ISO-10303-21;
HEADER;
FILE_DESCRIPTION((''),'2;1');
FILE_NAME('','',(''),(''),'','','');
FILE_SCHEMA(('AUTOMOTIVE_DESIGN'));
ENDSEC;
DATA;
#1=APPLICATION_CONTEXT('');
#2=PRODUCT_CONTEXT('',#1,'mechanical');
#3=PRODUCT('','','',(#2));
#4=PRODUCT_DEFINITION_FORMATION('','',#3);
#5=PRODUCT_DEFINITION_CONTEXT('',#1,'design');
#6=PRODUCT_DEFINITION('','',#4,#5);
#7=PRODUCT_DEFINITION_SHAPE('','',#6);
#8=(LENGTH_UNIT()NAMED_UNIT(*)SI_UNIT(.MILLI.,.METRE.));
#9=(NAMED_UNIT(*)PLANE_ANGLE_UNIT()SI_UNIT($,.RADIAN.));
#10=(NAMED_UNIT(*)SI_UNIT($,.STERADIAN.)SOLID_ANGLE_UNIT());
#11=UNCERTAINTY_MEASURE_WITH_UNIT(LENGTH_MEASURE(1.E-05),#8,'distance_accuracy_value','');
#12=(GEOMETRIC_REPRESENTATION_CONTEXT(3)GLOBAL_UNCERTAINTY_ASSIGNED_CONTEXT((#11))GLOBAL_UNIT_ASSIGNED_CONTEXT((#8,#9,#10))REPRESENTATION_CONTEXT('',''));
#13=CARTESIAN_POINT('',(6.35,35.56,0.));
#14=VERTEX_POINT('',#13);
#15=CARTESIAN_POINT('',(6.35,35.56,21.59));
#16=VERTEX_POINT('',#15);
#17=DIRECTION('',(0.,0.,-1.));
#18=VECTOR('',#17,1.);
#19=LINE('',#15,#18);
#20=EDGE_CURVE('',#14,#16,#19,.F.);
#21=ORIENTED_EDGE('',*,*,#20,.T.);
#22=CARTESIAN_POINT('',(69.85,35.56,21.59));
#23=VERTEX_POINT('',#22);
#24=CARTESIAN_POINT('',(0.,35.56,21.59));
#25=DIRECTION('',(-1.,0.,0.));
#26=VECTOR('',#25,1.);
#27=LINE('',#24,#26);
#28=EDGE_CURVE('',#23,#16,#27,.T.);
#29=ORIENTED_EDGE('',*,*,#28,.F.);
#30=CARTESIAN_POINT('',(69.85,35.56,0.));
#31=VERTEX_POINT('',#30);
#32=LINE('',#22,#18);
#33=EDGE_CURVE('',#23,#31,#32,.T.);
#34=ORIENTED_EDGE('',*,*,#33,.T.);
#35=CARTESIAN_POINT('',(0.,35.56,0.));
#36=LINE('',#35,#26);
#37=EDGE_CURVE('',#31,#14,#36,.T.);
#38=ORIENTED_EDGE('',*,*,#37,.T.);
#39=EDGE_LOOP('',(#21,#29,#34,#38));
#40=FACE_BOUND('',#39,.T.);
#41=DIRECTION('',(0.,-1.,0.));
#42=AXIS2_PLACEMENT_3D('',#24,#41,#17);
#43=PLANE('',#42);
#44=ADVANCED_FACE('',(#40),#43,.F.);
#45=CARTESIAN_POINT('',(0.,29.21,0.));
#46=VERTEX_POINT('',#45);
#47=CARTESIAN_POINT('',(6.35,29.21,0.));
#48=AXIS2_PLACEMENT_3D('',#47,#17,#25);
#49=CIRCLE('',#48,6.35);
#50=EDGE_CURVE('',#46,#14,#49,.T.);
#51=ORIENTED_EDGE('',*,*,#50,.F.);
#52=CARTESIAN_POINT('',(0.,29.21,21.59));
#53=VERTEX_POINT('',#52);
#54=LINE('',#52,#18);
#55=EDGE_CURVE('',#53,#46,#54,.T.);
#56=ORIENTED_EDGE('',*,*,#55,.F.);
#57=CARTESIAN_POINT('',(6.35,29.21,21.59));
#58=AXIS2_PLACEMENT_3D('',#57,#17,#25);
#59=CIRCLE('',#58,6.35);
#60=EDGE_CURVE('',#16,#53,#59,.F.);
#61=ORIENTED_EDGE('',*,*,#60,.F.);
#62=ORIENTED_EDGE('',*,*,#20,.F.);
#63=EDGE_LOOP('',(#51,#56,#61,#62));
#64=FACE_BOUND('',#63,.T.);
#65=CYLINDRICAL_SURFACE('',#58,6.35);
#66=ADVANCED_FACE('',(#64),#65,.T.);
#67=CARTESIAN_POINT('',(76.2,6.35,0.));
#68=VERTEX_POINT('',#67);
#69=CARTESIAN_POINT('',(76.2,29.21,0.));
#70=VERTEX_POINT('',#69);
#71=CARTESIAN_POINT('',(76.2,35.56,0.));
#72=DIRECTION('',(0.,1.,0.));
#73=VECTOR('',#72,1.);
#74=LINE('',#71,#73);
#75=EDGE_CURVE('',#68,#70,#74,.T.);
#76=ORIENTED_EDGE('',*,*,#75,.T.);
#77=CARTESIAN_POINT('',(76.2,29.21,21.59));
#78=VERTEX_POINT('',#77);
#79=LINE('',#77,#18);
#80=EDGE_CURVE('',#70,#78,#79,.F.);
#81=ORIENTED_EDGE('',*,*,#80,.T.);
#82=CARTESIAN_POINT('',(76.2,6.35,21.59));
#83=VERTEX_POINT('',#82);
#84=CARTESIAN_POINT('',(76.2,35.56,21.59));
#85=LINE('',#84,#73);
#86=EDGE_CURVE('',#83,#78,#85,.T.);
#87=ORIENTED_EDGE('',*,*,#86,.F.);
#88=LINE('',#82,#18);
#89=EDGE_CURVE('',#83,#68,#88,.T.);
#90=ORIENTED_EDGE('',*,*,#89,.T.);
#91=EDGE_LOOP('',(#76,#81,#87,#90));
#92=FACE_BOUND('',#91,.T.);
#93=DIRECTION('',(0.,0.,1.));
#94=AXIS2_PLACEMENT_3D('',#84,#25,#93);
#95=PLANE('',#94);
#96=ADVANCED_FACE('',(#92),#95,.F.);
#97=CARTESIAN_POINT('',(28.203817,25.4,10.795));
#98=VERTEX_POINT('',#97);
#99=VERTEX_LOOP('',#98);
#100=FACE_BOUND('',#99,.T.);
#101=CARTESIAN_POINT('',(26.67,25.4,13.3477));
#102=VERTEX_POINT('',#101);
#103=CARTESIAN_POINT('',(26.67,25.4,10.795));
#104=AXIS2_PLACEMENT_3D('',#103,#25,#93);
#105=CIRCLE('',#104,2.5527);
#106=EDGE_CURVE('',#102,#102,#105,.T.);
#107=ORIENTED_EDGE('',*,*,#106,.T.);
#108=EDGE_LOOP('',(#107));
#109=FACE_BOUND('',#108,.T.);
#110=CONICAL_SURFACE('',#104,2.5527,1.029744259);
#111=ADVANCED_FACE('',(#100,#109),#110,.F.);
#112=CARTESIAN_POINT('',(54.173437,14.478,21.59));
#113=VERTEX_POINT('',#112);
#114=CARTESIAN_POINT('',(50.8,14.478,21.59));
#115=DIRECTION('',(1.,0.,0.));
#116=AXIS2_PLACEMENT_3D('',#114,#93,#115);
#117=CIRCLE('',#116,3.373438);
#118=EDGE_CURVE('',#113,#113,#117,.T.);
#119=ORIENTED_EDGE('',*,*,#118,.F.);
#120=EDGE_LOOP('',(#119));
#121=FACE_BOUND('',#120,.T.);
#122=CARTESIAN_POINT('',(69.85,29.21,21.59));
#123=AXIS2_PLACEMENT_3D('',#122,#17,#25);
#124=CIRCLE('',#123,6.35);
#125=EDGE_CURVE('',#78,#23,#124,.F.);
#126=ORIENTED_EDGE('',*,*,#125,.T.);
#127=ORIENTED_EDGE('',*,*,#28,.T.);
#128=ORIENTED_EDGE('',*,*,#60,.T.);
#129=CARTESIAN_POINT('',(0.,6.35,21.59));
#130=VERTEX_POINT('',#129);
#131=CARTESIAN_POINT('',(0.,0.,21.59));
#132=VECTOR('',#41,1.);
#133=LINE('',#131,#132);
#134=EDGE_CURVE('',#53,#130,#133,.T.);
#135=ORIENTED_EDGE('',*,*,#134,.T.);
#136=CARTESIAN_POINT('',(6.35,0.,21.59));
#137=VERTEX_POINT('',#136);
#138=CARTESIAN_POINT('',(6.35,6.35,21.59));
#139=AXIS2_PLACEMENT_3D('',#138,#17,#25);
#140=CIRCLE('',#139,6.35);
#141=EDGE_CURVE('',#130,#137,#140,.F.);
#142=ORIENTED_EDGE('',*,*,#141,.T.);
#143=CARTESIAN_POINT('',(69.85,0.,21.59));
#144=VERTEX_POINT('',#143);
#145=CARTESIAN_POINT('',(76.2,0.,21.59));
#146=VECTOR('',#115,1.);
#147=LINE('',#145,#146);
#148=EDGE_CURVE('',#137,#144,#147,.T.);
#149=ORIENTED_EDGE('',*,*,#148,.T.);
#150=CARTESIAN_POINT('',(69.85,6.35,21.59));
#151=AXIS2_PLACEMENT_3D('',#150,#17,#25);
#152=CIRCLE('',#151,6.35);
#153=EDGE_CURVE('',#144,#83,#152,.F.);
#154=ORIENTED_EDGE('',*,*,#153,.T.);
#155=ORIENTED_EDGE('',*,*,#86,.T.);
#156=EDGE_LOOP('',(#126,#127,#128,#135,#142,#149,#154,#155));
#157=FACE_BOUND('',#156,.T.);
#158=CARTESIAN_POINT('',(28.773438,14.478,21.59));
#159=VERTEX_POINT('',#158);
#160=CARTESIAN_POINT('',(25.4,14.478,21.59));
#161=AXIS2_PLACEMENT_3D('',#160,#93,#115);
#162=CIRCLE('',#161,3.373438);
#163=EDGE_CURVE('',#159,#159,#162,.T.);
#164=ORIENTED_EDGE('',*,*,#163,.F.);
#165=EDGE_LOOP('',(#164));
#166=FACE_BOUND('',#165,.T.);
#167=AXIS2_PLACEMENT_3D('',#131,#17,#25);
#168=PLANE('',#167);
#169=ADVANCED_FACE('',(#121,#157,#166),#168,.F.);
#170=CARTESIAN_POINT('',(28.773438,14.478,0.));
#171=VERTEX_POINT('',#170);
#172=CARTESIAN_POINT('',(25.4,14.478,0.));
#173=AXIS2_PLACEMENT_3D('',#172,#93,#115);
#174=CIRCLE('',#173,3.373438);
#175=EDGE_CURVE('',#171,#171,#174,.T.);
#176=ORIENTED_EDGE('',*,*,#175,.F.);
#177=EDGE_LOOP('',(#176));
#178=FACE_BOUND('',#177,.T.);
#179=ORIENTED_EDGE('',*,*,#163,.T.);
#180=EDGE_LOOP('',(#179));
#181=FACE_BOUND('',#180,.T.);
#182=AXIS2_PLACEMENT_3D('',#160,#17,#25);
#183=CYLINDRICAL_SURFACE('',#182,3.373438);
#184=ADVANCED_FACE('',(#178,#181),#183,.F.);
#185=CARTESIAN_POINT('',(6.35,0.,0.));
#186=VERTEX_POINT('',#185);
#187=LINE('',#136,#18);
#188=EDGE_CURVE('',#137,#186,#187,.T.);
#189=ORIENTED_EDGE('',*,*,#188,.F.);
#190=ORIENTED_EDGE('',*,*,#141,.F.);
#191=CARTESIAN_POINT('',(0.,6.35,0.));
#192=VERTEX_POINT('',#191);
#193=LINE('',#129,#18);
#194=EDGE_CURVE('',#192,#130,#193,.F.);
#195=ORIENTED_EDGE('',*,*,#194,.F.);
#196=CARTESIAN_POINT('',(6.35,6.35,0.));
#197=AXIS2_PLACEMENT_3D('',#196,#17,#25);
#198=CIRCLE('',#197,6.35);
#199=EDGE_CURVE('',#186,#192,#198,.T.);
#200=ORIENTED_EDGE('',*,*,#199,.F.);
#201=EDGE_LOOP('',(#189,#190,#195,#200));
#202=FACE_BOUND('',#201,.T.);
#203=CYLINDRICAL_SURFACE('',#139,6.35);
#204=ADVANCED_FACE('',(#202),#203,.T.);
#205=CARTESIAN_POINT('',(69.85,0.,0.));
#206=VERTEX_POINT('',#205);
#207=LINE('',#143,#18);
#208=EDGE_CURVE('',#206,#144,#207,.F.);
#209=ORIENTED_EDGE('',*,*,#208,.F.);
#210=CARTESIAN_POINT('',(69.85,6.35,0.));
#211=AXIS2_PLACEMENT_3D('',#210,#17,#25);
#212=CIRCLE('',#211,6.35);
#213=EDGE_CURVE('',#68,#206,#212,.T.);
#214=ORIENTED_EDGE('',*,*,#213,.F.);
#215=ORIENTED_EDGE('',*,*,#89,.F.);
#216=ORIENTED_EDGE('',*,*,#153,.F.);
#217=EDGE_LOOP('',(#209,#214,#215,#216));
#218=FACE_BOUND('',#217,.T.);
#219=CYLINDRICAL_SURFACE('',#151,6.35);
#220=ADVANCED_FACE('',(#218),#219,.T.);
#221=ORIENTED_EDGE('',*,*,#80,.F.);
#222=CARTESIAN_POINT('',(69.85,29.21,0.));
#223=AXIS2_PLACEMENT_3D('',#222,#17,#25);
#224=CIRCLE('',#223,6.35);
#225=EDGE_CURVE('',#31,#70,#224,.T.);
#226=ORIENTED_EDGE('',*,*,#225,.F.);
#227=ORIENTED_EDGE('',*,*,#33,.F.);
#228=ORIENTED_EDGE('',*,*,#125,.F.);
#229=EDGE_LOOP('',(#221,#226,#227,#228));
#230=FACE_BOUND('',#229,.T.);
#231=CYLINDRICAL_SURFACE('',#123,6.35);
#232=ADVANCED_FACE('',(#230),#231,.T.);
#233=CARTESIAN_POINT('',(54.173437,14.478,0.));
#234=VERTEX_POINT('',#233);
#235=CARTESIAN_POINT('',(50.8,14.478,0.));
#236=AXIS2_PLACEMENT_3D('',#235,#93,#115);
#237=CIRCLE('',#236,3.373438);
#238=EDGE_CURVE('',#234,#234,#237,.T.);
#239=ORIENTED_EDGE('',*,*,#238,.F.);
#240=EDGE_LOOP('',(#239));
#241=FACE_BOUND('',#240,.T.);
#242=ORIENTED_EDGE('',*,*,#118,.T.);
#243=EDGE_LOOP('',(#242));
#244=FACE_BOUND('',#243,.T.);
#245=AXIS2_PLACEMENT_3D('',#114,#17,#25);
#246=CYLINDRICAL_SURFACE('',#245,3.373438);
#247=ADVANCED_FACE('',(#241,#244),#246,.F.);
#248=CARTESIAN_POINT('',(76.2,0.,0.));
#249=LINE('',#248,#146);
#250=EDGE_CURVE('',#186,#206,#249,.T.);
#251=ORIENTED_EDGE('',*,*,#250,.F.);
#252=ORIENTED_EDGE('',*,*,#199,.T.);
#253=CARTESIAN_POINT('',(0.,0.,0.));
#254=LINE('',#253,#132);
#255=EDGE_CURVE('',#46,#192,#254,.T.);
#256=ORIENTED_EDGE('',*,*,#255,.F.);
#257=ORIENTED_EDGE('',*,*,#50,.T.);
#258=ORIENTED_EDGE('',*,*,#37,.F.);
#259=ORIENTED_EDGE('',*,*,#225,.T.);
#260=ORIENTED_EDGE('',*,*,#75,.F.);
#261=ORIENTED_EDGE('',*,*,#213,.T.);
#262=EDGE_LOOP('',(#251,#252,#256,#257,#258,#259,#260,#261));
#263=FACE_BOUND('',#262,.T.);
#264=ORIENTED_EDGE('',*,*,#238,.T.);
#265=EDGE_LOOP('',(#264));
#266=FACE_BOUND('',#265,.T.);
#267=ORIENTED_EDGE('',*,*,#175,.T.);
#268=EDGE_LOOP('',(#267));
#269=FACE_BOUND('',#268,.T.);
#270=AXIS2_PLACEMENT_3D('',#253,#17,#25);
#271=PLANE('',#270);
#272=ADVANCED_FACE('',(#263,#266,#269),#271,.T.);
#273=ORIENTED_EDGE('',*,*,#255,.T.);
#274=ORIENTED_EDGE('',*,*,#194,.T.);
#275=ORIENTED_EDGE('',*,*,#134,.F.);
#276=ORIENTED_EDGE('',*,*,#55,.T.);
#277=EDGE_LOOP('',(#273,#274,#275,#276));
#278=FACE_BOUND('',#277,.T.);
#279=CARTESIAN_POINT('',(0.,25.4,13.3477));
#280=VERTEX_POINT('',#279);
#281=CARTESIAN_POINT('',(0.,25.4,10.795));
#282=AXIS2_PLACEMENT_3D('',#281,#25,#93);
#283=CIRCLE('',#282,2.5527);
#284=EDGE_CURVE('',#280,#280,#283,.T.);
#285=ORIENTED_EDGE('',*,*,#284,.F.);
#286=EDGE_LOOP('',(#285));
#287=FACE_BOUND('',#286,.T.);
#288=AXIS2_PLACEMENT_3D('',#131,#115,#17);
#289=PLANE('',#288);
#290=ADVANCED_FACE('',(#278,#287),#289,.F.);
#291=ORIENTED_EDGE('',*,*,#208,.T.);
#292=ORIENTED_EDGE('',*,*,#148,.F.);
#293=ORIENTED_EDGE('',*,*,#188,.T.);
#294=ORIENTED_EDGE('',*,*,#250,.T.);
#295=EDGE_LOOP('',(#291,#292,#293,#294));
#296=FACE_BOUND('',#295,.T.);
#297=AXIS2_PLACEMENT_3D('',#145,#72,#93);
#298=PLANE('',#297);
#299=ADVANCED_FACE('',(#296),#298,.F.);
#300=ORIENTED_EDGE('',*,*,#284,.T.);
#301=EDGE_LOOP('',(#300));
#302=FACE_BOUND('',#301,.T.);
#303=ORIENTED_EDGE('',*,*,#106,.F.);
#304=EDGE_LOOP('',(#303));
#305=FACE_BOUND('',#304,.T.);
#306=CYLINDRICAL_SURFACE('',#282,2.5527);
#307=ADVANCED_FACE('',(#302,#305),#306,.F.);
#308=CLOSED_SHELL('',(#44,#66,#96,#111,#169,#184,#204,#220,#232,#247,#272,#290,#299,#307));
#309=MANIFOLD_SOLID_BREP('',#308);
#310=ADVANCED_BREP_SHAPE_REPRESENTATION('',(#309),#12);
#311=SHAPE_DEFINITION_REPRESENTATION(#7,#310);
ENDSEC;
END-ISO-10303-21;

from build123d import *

# Parameters (mm, degrees)
SKETCH1_W                   = 76.2
SKETCH1_H                   = 35.56
SKETCH1_R                   = 3.3734375
BOSS_EXTRUDE1_DEPTH         = 21.59
FILLET1_R                   = 6.35
F_1_4_20_TAPPED_HOLE1_D     = 5.1054
F_1_4_20_TAPPED_HOLE1_DEPTH = 26.67
F_1_4_20_TAPPED_HOLE1_TIP   = 1.533816902


with BuildPart() as part:
    # Sketch1 → Boss-Extrude1 (new body)
    with BuildSketch(Plane.XY):
        with Locations((38.1, 17.78)):
            Rectangle(SKETCH1_W, SKETCH1_H)
        with Locations((25.4, 14.478)):
            Circle(SKETCH1_R, mode=Mode.SUBTRACT)
        with Locations((50.8, 14.478)):
            Circle(SKETCH1_R, mode=Mode.SUBTRACT)
    extrude(amount=BOSS_EXTRUDE1_DEPTH)

    # Fillet1
    fillet1_edges = [part.edges().sort_by_distance(p)[0] for p in [
        (0, 0, 10.795),
        (0, 35.56, 10.795),
        (76.2, 35.56, 10.795),
        (76.2, 0, 10.795),
    ]]
    fillet(fillet1_edges, radius=FILLET1_R)

    # 1/4-20 Tapped Hole1
    with Locations(Plane(origin=(0, 25.4, 10.795), x_dir=(0, 0, -1), z_dir=(-1, 0, 0))):
        with Locations((0, 0)):
            Hole(F_1_4_20_TAPPED_HOLE1_D / 2, depth=F_1_4_20_TAPPED_HOLE1_DEPTH)
            with Locations((0, 0, -(F_1_4_20_TAPPED_HOLE1_DEPTH + F_1_4_20_TAPPED_HOLE1_TIP / 2))):  # 118° drill point
                Cone(0, F_1_4_20_TAPPED_HOLE1_D / 2, F_1_4_20_TAPPED_HOLE1_TIP, mode=Mode.SUBTRACT)


solid = part.part
